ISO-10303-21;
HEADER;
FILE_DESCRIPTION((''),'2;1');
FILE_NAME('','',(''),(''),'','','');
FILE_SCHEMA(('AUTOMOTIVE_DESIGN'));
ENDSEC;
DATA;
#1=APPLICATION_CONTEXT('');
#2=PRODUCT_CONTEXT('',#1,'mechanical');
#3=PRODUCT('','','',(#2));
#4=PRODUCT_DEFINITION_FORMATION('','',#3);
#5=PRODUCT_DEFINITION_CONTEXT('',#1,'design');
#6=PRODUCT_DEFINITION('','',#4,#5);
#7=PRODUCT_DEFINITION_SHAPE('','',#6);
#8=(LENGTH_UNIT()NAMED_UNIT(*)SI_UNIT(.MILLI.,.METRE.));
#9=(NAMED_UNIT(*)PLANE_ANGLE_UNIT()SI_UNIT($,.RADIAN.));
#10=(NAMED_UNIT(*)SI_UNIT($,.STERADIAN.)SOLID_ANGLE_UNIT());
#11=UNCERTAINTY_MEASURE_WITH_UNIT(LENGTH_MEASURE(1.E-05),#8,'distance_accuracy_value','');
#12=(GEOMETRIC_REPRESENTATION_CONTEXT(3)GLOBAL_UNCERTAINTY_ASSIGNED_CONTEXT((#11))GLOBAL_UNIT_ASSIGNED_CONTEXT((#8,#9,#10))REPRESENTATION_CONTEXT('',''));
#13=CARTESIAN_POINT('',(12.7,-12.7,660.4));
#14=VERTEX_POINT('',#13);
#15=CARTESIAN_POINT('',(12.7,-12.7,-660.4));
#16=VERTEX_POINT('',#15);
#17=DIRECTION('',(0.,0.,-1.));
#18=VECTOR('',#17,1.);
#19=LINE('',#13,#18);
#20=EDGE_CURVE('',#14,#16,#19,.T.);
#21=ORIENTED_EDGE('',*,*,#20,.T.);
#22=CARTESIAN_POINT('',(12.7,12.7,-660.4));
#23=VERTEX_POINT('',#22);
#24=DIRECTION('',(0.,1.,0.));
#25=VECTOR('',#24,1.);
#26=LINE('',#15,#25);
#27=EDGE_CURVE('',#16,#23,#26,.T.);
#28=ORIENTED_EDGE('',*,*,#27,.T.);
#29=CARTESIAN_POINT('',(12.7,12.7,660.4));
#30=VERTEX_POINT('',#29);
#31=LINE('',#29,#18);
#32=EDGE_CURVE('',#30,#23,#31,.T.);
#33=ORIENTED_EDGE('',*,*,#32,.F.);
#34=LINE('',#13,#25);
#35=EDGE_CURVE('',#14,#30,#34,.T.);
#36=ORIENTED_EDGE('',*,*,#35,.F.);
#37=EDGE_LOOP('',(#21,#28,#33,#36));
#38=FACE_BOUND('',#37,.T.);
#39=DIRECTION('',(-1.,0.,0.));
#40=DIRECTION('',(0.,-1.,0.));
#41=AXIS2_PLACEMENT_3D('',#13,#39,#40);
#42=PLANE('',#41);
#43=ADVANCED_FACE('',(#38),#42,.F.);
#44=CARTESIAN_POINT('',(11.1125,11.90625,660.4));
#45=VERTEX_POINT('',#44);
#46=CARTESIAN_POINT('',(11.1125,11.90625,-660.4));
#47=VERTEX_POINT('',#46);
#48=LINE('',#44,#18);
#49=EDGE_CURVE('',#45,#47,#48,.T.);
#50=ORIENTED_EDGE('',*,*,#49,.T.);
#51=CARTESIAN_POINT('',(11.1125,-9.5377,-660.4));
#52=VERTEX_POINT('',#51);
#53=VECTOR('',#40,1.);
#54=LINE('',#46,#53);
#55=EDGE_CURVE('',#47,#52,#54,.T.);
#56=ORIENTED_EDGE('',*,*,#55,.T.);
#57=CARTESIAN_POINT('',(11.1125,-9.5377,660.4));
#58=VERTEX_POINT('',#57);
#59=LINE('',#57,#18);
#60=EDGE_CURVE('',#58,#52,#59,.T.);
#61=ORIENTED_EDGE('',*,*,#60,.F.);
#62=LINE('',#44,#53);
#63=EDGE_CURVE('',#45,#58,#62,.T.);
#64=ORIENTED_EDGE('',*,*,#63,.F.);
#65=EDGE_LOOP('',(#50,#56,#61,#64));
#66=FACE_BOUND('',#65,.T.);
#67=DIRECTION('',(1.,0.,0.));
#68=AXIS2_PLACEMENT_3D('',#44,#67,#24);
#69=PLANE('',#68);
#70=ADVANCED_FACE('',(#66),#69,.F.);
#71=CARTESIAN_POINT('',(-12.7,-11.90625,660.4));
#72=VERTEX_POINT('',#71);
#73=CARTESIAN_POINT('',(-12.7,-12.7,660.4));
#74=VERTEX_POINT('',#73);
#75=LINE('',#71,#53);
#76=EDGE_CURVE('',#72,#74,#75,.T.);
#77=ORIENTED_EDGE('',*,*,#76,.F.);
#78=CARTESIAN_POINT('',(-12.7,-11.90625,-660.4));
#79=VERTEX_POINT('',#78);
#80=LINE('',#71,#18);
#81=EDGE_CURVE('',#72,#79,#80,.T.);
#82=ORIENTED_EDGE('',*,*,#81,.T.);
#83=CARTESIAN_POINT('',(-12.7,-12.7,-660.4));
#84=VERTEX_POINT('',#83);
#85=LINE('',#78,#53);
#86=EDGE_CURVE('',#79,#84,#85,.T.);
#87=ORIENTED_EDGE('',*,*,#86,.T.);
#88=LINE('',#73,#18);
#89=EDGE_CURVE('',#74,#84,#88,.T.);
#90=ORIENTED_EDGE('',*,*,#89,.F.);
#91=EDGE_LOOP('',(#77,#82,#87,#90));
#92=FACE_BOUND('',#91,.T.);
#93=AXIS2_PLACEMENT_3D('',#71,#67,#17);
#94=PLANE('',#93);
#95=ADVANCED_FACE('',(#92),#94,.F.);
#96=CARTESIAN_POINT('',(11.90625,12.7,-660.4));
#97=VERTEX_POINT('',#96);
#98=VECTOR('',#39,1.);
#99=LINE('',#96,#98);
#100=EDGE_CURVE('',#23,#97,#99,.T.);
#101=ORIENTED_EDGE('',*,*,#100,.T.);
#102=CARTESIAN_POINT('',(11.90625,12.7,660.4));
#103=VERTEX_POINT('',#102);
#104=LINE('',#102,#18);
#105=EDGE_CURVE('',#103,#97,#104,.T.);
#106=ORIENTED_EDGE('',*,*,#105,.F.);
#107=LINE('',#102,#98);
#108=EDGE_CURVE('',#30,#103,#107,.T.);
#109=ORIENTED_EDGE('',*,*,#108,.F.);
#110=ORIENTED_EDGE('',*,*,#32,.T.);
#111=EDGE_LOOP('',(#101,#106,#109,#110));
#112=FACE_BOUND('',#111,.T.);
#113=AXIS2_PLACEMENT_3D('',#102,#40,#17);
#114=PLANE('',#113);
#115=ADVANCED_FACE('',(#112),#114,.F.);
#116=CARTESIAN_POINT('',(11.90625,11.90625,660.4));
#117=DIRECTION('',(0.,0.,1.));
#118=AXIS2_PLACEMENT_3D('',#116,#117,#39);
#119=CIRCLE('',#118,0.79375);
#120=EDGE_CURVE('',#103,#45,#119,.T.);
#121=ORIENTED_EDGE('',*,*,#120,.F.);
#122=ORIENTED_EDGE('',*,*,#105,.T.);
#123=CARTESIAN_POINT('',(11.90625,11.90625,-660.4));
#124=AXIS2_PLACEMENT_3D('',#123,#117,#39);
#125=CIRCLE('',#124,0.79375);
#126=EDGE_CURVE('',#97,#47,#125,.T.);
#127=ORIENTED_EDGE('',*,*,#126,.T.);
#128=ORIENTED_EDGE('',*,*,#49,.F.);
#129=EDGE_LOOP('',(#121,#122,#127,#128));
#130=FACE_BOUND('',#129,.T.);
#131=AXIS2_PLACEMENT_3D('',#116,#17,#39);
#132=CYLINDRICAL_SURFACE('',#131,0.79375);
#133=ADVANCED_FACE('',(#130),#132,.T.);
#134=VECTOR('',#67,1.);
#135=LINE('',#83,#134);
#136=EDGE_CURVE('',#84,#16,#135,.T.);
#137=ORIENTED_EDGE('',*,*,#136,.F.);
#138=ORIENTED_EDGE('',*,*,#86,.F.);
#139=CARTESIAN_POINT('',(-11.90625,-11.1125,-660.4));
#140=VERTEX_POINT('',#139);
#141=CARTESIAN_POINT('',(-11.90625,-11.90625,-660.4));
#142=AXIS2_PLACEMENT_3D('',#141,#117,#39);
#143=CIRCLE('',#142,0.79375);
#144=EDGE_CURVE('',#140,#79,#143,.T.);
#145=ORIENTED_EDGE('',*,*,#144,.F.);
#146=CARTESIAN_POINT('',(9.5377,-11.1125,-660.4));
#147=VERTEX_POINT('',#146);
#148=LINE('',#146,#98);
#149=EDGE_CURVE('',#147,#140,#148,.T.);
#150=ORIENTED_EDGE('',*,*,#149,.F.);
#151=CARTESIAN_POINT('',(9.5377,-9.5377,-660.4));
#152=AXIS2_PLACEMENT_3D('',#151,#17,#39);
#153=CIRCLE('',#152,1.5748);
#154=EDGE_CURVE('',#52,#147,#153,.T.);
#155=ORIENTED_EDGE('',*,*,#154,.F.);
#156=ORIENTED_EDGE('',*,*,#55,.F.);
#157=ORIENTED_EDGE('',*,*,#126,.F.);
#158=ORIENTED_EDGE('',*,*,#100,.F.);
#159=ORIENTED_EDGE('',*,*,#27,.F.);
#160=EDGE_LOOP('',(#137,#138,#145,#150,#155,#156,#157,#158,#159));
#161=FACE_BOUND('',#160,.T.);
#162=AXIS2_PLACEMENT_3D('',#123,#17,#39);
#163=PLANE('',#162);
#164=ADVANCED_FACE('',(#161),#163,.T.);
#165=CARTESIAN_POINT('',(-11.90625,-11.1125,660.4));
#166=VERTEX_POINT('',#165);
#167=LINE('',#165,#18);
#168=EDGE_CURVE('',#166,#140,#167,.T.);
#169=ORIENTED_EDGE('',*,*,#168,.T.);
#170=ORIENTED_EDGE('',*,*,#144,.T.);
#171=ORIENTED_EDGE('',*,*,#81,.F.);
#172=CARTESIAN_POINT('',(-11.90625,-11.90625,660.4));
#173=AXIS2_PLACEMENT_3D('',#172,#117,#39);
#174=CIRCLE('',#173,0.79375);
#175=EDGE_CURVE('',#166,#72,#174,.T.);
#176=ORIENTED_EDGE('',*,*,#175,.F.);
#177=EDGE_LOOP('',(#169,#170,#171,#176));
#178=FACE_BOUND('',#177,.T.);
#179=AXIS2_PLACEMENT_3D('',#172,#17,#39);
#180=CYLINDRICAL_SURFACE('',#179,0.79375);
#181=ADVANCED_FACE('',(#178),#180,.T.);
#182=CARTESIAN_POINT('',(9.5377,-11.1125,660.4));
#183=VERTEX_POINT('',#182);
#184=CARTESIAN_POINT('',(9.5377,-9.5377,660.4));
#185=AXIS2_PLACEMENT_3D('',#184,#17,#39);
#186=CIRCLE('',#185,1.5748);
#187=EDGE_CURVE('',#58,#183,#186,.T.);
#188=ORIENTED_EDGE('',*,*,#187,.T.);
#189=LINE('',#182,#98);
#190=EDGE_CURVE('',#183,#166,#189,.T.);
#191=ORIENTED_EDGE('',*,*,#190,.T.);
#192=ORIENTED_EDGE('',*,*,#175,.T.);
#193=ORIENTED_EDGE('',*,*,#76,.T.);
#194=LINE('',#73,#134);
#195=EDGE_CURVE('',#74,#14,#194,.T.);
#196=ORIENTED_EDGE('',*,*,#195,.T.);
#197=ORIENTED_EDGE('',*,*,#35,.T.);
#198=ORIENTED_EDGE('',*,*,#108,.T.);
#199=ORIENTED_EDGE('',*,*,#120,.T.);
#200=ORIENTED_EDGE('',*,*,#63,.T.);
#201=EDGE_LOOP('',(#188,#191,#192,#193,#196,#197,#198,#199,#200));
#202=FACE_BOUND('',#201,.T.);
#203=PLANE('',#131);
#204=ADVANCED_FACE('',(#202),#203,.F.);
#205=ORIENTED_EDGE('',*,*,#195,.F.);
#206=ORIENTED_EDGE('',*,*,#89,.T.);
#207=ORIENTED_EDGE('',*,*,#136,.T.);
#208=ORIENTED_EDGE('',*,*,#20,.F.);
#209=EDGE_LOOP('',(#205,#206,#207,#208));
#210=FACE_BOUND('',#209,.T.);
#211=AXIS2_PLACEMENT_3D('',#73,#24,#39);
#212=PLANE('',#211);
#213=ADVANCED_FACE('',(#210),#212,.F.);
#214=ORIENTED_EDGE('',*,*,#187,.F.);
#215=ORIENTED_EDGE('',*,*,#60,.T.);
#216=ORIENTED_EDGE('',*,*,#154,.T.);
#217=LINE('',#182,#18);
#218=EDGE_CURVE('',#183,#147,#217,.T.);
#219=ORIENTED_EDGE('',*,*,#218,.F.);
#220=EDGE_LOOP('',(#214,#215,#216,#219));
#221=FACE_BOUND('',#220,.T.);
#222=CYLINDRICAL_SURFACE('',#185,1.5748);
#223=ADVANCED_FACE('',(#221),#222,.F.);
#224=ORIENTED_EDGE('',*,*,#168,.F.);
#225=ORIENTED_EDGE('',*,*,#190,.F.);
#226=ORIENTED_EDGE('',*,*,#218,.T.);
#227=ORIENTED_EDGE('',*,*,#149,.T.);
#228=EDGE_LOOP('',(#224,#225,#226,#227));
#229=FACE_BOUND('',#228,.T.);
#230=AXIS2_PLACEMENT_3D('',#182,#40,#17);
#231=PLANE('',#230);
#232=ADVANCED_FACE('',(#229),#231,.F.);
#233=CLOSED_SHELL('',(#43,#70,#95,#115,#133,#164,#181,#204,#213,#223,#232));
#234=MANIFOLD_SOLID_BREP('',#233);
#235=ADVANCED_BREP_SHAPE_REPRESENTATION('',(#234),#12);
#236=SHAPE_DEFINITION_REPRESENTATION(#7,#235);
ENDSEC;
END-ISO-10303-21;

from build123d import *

# Parameters (mm, degrees)
BOSS_EXTRUDE1_DEPTH = 660.4


with BuildPart() as part:
    # Sketch2 → Boss-Extrude1 (new body, symmetric)
    with BuildSketch(Plane.XY):
        with BuildLine():
            Line((-12.7, -12.7), (12.7, -12.7))
            Line((12.7, -12.7), (12.7, 12.7))
            Line((12.7, 12.7), (11.90625, 12.7))
            ThreePointArc((11.90625, 12.7), (11.344983992, 12.467516008), (11.1125, 11.90625))
            Line((11.1125, 11.90625), (11.1125, -9.5377))
            ThreePointArc((11.1125, -9.5377), (10.651251759, -10.651251759), (9.5377, -11.1125))
            Line((9.5377, -11.1125), (-11.90625, -11.1125))
            ThreePointArc((-11.90625, -11.1125), (-12.467516008, -11.344983992), (-12.7, -11.90625))
            Line((-12.7, -11.90625), (-12.7, -12.7))
        make_face()
    extrude(amount=BOSS_EXTRUDE1_DEPTH, both=True)


solid = part.part
